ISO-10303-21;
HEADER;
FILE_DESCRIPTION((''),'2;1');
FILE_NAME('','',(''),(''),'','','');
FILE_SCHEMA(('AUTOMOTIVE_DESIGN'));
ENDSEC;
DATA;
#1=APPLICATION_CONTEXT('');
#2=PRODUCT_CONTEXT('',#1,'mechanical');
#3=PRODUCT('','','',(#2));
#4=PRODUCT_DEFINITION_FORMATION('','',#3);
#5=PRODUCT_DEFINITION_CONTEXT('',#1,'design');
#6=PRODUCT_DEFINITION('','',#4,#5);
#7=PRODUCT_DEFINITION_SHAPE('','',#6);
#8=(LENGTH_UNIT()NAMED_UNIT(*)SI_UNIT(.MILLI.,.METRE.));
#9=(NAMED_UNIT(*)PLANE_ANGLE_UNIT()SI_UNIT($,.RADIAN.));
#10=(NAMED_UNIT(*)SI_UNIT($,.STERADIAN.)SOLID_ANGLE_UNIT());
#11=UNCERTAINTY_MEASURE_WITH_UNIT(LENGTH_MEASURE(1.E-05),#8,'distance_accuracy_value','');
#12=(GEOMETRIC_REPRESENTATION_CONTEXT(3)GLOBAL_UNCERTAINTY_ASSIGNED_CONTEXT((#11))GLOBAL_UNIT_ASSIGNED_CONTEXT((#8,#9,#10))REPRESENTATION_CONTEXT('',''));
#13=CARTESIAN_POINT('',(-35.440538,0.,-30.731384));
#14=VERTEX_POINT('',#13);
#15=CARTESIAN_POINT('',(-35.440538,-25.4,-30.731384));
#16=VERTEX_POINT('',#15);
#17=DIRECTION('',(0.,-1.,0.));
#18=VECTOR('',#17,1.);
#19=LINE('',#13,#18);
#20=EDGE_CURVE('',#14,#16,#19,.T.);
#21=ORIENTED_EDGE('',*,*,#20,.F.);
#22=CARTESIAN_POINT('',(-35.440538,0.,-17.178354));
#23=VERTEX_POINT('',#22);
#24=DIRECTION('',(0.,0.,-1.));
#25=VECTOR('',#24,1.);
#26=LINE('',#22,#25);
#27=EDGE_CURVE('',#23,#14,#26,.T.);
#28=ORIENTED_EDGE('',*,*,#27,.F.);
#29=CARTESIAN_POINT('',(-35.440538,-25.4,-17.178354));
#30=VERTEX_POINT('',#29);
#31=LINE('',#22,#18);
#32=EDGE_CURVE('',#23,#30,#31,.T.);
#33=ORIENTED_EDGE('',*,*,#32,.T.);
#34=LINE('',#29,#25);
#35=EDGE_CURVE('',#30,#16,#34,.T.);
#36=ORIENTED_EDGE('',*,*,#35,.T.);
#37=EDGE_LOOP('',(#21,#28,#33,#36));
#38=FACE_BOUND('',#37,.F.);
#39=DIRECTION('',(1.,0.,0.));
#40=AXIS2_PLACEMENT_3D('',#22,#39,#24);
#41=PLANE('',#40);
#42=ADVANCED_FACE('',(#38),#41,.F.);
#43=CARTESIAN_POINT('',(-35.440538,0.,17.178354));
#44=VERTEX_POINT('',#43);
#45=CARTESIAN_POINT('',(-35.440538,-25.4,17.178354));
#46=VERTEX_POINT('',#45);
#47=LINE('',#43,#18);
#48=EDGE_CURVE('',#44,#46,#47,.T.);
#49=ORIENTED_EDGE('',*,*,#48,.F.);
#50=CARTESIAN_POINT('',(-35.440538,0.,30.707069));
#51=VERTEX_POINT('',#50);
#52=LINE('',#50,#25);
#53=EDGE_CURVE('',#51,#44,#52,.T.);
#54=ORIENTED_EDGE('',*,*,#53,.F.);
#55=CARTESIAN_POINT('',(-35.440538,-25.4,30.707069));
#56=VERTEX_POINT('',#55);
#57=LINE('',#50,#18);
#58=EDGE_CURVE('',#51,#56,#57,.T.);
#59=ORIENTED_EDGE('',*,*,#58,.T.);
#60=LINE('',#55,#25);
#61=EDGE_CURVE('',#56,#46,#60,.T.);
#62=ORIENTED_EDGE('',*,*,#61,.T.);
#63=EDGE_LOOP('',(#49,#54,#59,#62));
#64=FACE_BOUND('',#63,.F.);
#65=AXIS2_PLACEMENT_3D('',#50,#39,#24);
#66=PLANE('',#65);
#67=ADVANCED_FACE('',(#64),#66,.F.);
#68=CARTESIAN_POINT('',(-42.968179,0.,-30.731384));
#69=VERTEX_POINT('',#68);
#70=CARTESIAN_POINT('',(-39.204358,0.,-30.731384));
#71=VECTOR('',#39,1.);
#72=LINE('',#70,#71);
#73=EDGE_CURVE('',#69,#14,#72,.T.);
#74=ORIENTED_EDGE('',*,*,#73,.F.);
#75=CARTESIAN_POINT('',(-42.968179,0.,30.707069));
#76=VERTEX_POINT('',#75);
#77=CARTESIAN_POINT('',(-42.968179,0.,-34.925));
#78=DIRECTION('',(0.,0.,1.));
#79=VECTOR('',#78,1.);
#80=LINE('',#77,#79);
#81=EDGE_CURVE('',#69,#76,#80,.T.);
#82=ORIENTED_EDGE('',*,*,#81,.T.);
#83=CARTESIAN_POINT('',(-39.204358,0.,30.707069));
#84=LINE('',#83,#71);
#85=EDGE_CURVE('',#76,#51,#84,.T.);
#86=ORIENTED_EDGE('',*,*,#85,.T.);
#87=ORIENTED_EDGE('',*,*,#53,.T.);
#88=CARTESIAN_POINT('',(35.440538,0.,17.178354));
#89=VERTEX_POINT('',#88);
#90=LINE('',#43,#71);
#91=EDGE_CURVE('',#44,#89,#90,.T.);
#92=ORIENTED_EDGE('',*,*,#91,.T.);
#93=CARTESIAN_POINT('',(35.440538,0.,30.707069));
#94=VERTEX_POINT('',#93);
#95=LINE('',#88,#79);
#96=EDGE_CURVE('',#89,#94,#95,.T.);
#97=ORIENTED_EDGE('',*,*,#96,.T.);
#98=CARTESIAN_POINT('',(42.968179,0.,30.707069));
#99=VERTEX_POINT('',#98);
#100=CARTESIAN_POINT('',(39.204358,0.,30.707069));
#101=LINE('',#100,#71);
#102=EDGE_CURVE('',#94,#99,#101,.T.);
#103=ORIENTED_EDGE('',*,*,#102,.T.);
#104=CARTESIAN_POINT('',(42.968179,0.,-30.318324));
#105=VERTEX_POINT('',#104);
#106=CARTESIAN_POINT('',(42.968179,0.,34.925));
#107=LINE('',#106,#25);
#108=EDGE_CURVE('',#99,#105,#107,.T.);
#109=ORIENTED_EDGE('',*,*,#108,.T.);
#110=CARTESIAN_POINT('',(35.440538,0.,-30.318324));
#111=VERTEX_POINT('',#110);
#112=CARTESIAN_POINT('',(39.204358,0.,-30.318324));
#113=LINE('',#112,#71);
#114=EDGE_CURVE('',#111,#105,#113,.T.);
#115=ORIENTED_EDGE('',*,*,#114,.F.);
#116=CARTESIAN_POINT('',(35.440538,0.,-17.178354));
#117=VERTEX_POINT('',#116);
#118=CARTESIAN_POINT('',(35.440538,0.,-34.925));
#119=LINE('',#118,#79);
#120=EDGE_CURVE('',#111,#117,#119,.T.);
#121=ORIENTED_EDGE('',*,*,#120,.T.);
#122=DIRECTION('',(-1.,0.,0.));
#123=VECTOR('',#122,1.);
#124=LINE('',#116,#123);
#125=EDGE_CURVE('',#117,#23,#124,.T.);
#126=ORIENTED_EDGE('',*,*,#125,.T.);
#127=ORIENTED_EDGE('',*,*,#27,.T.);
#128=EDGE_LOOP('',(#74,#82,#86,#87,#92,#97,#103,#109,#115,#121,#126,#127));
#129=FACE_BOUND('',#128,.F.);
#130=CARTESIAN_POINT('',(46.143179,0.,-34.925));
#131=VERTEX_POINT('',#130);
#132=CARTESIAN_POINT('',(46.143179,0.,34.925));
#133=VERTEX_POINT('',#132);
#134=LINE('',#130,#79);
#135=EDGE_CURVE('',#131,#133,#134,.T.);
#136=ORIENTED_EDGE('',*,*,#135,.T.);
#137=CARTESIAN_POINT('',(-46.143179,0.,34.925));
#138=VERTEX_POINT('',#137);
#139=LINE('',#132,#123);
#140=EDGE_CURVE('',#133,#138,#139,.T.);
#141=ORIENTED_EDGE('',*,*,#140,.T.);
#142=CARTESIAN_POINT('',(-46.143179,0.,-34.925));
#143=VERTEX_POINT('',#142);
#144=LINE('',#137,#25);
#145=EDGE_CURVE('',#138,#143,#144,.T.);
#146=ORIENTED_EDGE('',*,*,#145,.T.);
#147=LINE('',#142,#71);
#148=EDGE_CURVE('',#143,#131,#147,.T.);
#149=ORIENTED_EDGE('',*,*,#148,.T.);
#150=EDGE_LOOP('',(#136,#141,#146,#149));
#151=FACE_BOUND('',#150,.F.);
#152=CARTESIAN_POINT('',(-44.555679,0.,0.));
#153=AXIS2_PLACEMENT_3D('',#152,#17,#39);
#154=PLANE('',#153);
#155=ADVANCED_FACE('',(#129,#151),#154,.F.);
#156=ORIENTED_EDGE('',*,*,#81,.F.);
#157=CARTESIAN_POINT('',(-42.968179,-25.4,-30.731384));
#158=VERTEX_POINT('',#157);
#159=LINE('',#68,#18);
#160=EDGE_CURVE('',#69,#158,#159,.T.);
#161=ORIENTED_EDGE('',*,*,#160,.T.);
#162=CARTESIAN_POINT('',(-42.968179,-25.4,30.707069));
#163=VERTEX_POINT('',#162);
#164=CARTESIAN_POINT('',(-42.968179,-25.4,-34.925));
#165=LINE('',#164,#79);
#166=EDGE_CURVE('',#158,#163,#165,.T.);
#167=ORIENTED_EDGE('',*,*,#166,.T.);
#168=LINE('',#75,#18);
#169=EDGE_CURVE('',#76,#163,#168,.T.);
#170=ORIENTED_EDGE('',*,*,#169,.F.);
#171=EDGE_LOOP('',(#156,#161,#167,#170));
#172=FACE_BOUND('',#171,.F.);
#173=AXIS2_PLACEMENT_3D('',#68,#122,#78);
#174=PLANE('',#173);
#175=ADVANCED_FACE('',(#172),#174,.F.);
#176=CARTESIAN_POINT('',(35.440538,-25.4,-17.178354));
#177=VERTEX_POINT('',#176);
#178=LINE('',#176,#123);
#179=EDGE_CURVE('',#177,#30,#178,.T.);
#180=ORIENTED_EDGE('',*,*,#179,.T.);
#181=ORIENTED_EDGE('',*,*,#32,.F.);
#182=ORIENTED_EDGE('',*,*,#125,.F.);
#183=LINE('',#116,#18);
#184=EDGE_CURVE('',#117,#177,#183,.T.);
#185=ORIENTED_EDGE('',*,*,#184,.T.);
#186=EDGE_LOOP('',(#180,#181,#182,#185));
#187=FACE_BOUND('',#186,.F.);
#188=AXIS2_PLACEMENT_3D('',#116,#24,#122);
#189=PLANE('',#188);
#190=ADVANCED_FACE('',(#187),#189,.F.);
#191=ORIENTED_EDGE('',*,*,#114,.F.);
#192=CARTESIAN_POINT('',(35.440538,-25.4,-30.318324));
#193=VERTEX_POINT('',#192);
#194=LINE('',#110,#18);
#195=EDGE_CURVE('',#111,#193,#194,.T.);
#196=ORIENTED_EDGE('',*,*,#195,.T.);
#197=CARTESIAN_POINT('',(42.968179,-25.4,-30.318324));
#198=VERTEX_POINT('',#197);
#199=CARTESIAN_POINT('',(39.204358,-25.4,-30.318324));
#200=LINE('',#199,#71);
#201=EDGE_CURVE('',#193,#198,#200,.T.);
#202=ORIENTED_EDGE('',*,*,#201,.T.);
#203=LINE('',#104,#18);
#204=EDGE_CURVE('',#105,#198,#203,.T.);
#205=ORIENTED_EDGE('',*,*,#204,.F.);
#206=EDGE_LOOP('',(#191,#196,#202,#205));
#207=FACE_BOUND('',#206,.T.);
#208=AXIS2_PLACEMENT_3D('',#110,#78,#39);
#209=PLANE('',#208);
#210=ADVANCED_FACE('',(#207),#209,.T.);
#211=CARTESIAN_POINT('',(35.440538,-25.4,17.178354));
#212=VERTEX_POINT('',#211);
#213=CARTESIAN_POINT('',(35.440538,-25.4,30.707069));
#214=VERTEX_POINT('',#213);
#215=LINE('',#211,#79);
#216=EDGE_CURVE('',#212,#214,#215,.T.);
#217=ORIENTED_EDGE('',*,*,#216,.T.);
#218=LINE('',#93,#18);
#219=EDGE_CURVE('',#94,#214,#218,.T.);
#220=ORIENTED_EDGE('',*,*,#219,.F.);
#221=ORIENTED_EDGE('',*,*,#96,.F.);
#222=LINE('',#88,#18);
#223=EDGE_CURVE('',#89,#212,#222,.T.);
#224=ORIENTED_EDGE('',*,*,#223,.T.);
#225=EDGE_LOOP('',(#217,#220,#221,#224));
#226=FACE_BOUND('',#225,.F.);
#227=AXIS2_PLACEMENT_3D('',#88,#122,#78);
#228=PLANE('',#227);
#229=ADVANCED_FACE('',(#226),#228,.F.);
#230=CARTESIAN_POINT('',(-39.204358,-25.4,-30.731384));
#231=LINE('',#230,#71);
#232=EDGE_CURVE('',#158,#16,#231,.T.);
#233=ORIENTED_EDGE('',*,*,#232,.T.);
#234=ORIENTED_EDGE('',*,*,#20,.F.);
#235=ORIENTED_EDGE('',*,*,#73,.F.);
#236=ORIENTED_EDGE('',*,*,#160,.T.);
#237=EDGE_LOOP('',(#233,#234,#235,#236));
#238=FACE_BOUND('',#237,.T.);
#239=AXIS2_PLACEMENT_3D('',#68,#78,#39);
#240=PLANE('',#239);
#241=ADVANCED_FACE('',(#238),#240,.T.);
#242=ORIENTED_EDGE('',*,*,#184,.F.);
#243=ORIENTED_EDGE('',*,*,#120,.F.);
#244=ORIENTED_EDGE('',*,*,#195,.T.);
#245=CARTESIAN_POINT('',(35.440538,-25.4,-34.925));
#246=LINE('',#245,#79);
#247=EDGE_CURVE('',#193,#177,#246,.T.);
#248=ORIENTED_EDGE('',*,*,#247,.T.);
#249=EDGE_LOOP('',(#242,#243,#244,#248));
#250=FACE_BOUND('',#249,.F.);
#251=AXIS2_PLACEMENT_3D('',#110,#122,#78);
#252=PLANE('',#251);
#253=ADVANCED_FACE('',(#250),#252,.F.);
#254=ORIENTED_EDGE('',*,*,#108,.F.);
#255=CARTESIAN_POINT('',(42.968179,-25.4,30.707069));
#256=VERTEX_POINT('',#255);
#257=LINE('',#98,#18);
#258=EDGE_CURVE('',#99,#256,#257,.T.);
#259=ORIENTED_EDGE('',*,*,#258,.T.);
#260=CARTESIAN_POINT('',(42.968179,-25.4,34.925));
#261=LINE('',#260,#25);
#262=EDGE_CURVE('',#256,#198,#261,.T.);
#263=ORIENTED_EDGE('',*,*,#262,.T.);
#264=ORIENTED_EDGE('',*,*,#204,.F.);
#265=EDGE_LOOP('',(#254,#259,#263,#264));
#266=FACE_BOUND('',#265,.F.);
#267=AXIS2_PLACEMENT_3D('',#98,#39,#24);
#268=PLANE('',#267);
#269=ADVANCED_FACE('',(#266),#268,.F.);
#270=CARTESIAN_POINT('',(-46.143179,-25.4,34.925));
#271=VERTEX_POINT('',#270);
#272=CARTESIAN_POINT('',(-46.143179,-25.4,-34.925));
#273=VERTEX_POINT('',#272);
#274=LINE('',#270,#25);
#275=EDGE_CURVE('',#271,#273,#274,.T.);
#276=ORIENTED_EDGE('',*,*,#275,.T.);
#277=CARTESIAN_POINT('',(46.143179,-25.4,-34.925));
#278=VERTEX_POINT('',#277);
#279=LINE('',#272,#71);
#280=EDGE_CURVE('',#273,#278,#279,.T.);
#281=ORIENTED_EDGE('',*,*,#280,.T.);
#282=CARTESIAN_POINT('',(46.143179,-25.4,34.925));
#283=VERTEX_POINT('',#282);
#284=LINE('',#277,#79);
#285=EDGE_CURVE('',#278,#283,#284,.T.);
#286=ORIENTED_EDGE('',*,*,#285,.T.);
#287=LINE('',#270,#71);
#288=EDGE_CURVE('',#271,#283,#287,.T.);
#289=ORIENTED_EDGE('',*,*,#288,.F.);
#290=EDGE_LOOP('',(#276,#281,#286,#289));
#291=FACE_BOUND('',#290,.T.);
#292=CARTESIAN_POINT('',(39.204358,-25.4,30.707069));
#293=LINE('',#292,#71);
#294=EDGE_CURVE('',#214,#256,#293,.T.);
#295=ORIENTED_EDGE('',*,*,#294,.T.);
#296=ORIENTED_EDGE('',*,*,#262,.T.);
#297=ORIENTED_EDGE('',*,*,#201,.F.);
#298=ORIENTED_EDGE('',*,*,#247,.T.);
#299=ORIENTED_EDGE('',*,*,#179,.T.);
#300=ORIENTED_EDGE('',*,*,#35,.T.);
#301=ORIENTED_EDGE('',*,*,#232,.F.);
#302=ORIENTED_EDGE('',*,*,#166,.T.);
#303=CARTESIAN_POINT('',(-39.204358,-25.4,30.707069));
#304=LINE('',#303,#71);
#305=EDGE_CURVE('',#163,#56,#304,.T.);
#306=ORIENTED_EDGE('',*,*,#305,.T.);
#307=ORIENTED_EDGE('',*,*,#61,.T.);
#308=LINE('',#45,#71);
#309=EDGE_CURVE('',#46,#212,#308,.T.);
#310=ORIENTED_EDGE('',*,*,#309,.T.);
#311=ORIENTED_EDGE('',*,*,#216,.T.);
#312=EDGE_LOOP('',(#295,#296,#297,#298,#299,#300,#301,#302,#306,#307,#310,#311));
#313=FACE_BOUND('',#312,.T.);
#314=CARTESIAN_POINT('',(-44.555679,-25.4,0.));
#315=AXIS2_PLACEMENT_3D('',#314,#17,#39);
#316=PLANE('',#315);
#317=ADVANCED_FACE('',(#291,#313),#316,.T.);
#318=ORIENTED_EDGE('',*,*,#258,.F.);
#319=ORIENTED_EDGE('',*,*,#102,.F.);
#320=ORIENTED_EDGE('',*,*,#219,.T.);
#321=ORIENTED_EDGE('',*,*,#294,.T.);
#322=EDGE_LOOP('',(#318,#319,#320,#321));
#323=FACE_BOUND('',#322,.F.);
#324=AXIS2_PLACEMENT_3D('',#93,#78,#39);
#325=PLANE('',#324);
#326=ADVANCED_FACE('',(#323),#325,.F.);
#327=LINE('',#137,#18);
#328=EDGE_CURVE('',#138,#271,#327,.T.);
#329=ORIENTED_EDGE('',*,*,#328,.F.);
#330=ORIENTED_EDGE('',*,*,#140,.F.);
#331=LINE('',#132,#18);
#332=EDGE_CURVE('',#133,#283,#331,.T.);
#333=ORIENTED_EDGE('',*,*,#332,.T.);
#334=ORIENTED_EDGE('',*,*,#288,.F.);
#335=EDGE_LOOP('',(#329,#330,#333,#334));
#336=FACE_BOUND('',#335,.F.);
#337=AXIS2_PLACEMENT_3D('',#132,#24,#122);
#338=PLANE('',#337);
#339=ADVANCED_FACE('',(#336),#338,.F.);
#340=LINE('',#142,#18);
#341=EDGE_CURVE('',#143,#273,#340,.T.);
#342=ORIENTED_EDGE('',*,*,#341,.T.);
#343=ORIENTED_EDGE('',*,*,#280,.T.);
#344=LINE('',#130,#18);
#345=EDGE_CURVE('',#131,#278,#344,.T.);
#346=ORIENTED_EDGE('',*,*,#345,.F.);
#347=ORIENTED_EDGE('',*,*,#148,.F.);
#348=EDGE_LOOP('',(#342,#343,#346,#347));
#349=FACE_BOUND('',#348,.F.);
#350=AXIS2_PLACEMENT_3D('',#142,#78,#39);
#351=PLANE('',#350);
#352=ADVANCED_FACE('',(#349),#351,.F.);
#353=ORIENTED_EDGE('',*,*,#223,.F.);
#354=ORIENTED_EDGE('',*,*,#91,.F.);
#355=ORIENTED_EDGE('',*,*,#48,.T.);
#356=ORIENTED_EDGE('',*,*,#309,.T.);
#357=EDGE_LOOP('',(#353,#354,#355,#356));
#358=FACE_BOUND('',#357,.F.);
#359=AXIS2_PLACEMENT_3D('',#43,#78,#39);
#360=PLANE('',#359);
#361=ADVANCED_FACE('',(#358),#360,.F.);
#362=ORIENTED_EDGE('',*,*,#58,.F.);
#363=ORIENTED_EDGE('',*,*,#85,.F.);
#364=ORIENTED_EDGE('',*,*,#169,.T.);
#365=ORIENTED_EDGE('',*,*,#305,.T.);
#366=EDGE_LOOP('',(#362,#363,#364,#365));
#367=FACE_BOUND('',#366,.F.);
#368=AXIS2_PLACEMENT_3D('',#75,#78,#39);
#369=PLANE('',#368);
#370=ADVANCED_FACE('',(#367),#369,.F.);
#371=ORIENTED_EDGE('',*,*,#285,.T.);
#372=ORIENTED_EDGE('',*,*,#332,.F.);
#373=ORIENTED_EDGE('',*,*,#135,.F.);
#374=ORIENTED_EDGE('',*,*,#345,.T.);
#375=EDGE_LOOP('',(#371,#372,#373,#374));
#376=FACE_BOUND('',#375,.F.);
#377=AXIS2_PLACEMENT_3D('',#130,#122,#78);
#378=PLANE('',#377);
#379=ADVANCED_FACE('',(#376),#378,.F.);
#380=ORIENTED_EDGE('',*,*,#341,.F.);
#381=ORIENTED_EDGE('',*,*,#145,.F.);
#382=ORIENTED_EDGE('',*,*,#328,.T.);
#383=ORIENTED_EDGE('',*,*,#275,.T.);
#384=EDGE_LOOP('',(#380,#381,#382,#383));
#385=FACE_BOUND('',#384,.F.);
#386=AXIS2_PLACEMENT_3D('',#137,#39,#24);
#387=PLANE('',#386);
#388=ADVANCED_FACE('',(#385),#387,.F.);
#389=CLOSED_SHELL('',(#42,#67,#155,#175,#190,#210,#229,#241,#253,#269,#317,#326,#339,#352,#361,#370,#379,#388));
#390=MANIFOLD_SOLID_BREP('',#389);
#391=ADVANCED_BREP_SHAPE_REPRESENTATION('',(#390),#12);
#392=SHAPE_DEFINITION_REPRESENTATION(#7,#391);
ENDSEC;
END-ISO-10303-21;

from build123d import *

# Parameters (mm, degrees)
F0_W     = 7.5276412965
F0_H     = 4.1936162889
F0_H_2   = 4.2179312587
F0_H_3   = 4.6066764772
F1_DEPTH = 25.4


with BuildPart() as f1:
    # F0 (on Front) → F1 (new body)
    with BuildSketch(Plane.XZ):
        Polygon((-46.1431788322, 34.925), (-46.1431788322, -34.925), (-42.9681788322, -34.925), (-42.9681788322, -30.7313837111), (-42.9681788322, 30.7070687413), (-42.9681788322, 34.925), align=None)
        with Locations((-39.2043581839, -32.8281918555)):
            Rectangle(F0_W, F0_H)
        Polygon((-35.4405375357, -30.7313837111), (-35.4405375357, -34.925), (35.4405375357, -34.925), (35.4405375357, -30.3183235228), (35.4405375357, -17.1783537864), (-35.4405375357, -17.1783537864), align=None)
        with Locations((-39.2043581839, 32.8160343707)):
            Rectangle(F0_W, F0_H_2)
        with Locations((39.2043581839, -32.6216617614)):
            Rectangle(F0_W, F0_H_3)
        Polygon((35.4405375357, 34.925), (-35.4405375357, 34.925), (-35.4405375357, 30.7070687413), (-35.4405375357, 17.1783537864), (35.4405375357, 17.1783537864), (35.4405375357, 30.7070687413), align=None)
        Polygon((42.9681788322, -30.3183235228), (42.9681788322, -34.925), (46.1431788322, -34.925), (46.1431788322, 34.925), (42.9681788322, 34.925), (42.9681788322, 30.7070687413), align=None)
        with Locations((39.2043581839, 32.8160343707)):
            Rectangle(F0_W, F0_H_2)
    extrude(amount=F1_DEPTH)


solid = f1.part
